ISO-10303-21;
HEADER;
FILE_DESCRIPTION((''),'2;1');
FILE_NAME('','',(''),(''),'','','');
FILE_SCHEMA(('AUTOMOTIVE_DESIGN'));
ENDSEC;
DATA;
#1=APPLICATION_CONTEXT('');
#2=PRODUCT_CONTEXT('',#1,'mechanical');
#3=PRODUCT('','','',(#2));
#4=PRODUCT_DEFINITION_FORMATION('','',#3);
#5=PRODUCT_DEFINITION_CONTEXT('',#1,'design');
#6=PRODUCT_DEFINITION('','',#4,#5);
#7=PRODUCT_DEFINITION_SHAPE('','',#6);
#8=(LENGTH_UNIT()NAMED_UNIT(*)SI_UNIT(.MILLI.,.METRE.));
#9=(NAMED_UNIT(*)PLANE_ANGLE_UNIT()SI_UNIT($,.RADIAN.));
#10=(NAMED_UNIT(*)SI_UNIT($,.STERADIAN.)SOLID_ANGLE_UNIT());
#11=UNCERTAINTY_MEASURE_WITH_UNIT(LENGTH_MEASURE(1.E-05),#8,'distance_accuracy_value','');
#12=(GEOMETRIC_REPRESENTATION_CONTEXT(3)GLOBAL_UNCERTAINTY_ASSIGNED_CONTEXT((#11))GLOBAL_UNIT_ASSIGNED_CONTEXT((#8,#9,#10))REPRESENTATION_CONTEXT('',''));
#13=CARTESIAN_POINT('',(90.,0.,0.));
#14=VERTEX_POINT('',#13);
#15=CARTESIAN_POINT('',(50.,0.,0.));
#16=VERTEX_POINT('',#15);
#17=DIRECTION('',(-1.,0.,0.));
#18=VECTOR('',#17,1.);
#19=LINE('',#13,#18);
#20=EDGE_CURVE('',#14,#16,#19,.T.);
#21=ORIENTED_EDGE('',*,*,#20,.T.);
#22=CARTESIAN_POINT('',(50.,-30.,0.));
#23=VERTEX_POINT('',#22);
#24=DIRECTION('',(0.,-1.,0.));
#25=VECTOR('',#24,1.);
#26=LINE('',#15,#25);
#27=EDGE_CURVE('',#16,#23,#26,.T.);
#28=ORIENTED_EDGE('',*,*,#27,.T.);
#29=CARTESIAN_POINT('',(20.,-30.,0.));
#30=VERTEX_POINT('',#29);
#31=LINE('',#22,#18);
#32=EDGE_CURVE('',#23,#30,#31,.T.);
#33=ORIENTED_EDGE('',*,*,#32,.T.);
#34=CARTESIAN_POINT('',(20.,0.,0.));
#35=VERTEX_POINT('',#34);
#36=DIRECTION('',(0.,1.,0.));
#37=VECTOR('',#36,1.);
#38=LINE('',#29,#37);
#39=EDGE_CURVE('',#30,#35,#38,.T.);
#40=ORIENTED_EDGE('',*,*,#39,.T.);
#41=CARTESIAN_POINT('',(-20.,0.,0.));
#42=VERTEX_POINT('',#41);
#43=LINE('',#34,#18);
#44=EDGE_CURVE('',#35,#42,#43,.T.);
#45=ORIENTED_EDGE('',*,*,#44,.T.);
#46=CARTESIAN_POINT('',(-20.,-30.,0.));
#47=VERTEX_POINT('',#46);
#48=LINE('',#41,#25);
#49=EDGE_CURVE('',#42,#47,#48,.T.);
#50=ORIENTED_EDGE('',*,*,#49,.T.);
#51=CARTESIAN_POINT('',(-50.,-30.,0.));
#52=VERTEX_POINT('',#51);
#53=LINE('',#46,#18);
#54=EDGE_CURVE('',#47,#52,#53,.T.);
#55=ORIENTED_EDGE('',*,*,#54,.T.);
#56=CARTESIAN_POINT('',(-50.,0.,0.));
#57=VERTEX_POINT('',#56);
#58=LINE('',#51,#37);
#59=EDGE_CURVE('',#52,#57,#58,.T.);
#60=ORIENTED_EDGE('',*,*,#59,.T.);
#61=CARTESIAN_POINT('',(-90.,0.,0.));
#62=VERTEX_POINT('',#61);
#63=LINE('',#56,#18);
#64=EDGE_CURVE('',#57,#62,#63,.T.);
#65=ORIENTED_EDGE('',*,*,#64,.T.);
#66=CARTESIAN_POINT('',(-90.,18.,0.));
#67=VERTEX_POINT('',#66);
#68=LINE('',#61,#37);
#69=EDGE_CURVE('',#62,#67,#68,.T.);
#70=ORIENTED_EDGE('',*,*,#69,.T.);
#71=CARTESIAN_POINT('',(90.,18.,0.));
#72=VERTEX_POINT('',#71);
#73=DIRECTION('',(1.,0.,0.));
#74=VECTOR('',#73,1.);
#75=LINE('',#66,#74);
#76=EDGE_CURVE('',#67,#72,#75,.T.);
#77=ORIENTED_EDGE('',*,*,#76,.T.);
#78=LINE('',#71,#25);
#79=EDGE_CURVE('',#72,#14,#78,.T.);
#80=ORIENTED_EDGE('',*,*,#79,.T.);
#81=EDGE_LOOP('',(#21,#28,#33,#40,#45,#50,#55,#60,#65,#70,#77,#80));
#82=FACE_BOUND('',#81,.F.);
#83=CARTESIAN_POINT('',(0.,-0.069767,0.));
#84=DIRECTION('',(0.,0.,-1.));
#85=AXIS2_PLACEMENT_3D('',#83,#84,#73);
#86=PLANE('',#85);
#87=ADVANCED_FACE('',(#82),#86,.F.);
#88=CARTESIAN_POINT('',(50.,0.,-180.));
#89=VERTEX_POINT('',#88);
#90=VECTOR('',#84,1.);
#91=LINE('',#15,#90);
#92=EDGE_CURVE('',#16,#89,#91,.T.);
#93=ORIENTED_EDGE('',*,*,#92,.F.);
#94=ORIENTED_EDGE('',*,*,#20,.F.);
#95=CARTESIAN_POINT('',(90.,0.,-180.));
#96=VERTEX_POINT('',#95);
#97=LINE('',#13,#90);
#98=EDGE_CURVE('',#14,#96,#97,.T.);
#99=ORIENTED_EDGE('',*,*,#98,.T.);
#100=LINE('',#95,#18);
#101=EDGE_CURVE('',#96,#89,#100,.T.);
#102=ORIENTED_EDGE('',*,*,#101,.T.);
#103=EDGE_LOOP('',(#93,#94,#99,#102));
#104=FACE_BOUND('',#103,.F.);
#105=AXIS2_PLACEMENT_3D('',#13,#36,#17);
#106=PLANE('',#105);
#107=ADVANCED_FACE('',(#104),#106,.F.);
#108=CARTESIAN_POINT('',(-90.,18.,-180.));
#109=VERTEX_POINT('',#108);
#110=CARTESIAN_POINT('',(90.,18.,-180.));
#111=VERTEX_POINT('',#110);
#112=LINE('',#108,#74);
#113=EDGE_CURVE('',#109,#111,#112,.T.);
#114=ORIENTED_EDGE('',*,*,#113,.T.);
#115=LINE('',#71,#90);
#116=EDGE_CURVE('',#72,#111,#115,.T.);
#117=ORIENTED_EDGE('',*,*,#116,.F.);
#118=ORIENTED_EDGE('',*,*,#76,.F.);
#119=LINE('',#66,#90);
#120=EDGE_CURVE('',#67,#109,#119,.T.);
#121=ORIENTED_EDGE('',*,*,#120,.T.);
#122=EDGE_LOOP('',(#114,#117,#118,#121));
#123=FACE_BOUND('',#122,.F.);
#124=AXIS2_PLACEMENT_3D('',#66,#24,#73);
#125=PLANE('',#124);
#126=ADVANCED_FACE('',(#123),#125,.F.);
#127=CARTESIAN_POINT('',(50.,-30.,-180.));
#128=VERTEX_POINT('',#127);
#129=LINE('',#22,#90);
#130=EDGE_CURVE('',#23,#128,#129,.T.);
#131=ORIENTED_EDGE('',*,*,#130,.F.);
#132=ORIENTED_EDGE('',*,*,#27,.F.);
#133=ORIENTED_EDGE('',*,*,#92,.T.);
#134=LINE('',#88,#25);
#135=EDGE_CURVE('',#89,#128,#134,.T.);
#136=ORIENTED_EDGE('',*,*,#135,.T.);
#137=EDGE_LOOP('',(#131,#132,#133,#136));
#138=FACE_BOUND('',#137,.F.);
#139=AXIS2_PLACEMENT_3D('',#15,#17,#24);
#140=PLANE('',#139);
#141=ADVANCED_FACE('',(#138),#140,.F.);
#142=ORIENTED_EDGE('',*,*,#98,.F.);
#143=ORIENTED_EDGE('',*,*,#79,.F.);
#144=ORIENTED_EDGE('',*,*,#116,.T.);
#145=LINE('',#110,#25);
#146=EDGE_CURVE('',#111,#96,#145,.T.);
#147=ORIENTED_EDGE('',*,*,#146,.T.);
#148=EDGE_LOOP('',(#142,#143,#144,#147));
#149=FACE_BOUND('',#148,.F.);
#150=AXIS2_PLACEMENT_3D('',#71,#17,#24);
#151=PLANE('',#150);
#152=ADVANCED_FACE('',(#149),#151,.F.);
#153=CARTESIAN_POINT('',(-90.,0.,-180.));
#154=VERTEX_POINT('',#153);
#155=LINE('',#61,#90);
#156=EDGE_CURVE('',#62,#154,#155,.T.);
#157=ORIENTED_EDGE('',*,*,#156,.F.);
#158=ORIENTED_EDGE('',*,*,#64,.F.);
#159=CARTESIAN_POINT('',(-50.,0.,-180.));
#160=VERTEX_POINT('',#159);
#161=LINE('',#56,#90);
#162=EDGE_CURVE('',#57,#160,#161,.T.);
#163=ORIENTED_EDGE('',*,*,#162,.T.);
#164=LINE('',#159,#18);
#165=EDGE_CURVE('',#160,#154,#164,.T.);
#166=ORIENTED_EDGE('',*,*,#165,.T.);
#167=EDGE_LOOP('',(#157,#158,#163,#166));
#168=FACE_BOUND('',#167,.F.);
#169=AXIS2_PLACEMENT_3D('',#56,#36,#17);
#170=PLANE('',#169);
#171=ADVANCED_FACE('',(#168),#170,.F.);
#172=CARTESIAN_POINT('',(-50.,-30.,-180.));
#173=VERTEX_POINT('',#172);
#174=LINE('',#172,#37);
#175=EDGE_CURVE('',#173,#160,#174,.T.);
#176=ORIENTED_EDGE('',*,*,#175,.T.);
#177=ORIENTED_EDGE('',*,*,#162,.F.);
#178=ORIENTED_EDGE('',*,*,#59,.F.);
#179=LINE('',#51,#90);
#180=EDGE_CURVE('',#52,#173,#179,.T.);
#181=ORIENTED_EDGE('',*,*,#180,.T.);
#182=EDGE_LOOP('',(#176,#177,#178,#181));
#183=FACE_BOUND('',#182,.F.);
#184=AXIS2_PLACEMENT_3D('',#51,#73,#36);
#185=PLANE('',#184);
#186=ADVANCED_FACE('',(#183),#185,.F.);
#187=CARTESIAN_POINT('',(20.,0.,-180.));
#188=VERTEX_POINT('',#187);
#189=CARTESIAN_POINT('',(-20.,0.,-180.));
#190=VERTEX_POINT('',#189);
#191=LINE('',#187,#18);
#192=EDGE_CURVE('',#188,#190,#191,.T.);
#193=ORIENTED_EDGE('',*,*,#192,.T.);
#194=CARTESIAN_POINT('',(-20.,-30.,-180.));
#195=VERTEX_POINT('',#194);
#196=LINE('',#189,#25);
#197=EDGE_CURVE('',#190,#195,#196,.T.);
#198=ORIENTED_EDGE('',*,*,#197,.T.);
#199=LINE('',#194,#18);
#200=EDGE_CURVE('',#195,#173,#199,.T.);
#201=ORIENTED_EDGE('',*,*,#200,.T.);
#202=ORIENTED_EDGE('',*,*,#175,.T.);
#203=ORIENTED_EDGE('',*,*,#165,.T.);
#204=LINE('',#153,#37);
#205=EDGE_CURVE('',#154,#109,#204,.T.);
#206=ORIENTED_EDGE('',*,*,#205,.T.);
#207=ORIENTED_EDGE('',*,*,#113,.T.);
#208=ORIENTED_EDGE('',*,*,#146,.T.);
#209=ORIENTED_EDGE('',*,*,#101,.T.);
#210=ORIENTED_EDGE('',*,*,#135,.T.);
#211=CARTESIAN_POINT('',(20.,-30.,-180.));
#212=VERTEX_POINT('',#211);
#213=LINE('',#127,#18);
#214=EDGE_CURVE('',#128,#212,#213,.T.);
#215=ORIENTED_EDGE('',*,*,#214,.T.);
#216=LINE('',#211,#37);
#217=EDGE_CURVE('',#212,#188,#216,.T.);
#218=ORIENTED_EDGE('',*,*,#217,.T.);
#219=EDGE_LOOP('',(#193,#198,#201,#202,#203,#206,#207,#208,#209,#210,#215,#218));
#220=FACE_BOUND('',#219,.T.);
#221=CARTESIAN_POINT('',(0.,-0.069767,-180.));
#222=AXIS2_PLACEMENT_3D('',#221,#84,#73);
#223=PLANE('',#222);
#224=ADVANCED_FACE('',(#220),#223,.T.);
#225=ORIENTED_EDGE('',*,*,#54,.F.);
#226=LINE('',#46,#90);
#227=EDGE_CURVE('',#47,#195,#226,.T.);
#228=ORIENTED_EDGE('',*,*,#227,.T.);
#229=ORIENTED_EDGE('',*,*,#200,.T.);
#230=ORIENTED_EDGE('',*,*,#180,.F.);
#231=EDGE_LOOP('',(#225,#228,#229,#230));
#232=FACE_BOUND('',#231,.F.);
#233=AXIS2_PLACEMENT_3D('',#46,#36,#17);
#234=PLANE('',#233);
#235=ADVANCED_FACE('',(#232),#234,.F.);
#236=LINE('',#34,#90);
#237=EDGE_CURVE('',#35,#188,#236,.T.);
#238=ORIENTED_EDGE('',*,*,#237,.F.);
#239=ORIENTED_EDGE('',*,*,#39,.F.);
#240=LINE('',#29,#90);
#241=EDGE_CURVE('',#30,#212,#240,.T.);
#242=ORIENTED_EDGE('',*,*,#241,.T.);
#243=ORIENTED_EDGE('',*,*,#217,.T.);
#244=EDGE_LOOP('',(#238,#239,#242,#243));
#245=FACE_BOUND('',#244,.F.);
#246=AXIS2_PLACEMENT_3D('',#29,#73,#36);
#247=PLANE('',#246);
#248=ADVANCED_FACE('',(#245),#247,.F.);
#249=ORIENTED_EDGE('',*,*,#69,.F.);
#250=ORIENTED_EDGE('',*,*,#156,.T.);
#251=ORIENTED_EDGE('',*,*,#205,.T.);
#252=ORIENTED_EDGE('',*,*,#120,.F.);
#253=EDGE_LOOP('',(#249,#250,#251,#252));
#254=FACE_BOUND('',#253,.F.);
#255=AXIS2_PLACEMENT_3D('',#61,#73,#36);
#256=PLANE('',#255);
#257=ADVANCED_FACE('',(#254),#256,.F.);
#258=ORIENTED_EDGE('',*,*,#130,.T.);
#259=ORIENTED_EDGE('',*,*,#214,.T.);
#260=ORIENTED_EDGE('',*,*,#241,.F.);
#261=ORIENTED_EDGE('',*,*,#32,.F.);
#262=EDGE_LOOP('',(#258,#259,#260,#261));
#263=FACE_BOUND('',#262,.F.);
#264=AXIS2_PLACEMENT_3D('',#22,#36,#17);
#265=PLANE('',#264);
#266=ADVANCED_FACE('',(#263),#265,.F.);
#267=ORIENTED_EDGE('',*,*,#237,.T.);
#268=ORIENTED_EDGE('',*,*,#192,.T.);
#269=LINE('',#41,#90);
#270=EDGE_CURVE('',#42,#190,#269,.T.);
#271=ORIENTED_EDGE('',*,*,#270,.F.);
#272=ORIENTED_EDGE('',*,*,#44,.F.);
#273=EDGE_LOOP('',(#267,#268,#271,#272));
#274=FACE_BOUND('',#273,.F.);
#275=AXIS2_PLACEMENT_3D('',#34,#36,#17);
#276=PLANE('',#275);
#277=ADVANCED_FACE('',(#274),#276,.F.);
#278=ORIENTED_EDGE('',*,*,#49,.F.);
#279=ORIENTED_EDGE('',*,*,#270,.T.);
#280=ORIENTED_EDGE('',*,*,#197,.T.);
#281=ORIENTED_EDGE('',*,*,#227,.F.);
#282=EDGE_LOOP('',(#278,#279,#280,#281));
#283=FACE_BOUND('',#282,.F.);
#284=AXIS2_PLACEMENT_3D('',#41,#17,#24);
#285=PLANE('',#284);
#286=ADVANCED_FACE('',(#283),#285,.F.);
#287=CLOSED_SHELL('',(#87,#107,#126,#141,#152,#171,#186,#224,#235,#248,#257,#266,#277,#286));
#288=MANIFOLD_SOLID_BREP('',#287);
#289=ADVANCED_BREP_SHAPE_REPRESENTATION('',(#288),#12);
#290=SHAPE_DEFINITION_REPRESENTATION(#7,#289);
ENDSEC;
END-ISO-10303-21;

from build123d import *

# Parameters (mm, degrees)
F1_DEPTH = 4572
F2_SCALE = 0.0393700787
F3_ANGLE = 180


with BuildPart() as f1:
    # F0 (on Top) → F1 (new body)
    with BuildSketch(Plane.XY):
        Polygon((508, 0), (0, 0), (-508, 0), (-508, 762), (-1270, 762), (-1270, 0), (-2286, 0), (-2286, -457.2), (0, -457.2), (2286, -457.2), (2286, 0), (1270, 0), (1270, 762), (508, 762), align=None)
    extrude(amount=F1_DEPTH)


with BuildPart() as f1_1:
    # F2: moved
    add(f1.part.scale(F2_SCALE))


with BuildPart() as f1_2:
    # F3: moved
    add(f1_1.part.rotate(Axis((0, 0, 0), (1, 0, 0)), F3_ANGLE))


solid = f1_2.part
